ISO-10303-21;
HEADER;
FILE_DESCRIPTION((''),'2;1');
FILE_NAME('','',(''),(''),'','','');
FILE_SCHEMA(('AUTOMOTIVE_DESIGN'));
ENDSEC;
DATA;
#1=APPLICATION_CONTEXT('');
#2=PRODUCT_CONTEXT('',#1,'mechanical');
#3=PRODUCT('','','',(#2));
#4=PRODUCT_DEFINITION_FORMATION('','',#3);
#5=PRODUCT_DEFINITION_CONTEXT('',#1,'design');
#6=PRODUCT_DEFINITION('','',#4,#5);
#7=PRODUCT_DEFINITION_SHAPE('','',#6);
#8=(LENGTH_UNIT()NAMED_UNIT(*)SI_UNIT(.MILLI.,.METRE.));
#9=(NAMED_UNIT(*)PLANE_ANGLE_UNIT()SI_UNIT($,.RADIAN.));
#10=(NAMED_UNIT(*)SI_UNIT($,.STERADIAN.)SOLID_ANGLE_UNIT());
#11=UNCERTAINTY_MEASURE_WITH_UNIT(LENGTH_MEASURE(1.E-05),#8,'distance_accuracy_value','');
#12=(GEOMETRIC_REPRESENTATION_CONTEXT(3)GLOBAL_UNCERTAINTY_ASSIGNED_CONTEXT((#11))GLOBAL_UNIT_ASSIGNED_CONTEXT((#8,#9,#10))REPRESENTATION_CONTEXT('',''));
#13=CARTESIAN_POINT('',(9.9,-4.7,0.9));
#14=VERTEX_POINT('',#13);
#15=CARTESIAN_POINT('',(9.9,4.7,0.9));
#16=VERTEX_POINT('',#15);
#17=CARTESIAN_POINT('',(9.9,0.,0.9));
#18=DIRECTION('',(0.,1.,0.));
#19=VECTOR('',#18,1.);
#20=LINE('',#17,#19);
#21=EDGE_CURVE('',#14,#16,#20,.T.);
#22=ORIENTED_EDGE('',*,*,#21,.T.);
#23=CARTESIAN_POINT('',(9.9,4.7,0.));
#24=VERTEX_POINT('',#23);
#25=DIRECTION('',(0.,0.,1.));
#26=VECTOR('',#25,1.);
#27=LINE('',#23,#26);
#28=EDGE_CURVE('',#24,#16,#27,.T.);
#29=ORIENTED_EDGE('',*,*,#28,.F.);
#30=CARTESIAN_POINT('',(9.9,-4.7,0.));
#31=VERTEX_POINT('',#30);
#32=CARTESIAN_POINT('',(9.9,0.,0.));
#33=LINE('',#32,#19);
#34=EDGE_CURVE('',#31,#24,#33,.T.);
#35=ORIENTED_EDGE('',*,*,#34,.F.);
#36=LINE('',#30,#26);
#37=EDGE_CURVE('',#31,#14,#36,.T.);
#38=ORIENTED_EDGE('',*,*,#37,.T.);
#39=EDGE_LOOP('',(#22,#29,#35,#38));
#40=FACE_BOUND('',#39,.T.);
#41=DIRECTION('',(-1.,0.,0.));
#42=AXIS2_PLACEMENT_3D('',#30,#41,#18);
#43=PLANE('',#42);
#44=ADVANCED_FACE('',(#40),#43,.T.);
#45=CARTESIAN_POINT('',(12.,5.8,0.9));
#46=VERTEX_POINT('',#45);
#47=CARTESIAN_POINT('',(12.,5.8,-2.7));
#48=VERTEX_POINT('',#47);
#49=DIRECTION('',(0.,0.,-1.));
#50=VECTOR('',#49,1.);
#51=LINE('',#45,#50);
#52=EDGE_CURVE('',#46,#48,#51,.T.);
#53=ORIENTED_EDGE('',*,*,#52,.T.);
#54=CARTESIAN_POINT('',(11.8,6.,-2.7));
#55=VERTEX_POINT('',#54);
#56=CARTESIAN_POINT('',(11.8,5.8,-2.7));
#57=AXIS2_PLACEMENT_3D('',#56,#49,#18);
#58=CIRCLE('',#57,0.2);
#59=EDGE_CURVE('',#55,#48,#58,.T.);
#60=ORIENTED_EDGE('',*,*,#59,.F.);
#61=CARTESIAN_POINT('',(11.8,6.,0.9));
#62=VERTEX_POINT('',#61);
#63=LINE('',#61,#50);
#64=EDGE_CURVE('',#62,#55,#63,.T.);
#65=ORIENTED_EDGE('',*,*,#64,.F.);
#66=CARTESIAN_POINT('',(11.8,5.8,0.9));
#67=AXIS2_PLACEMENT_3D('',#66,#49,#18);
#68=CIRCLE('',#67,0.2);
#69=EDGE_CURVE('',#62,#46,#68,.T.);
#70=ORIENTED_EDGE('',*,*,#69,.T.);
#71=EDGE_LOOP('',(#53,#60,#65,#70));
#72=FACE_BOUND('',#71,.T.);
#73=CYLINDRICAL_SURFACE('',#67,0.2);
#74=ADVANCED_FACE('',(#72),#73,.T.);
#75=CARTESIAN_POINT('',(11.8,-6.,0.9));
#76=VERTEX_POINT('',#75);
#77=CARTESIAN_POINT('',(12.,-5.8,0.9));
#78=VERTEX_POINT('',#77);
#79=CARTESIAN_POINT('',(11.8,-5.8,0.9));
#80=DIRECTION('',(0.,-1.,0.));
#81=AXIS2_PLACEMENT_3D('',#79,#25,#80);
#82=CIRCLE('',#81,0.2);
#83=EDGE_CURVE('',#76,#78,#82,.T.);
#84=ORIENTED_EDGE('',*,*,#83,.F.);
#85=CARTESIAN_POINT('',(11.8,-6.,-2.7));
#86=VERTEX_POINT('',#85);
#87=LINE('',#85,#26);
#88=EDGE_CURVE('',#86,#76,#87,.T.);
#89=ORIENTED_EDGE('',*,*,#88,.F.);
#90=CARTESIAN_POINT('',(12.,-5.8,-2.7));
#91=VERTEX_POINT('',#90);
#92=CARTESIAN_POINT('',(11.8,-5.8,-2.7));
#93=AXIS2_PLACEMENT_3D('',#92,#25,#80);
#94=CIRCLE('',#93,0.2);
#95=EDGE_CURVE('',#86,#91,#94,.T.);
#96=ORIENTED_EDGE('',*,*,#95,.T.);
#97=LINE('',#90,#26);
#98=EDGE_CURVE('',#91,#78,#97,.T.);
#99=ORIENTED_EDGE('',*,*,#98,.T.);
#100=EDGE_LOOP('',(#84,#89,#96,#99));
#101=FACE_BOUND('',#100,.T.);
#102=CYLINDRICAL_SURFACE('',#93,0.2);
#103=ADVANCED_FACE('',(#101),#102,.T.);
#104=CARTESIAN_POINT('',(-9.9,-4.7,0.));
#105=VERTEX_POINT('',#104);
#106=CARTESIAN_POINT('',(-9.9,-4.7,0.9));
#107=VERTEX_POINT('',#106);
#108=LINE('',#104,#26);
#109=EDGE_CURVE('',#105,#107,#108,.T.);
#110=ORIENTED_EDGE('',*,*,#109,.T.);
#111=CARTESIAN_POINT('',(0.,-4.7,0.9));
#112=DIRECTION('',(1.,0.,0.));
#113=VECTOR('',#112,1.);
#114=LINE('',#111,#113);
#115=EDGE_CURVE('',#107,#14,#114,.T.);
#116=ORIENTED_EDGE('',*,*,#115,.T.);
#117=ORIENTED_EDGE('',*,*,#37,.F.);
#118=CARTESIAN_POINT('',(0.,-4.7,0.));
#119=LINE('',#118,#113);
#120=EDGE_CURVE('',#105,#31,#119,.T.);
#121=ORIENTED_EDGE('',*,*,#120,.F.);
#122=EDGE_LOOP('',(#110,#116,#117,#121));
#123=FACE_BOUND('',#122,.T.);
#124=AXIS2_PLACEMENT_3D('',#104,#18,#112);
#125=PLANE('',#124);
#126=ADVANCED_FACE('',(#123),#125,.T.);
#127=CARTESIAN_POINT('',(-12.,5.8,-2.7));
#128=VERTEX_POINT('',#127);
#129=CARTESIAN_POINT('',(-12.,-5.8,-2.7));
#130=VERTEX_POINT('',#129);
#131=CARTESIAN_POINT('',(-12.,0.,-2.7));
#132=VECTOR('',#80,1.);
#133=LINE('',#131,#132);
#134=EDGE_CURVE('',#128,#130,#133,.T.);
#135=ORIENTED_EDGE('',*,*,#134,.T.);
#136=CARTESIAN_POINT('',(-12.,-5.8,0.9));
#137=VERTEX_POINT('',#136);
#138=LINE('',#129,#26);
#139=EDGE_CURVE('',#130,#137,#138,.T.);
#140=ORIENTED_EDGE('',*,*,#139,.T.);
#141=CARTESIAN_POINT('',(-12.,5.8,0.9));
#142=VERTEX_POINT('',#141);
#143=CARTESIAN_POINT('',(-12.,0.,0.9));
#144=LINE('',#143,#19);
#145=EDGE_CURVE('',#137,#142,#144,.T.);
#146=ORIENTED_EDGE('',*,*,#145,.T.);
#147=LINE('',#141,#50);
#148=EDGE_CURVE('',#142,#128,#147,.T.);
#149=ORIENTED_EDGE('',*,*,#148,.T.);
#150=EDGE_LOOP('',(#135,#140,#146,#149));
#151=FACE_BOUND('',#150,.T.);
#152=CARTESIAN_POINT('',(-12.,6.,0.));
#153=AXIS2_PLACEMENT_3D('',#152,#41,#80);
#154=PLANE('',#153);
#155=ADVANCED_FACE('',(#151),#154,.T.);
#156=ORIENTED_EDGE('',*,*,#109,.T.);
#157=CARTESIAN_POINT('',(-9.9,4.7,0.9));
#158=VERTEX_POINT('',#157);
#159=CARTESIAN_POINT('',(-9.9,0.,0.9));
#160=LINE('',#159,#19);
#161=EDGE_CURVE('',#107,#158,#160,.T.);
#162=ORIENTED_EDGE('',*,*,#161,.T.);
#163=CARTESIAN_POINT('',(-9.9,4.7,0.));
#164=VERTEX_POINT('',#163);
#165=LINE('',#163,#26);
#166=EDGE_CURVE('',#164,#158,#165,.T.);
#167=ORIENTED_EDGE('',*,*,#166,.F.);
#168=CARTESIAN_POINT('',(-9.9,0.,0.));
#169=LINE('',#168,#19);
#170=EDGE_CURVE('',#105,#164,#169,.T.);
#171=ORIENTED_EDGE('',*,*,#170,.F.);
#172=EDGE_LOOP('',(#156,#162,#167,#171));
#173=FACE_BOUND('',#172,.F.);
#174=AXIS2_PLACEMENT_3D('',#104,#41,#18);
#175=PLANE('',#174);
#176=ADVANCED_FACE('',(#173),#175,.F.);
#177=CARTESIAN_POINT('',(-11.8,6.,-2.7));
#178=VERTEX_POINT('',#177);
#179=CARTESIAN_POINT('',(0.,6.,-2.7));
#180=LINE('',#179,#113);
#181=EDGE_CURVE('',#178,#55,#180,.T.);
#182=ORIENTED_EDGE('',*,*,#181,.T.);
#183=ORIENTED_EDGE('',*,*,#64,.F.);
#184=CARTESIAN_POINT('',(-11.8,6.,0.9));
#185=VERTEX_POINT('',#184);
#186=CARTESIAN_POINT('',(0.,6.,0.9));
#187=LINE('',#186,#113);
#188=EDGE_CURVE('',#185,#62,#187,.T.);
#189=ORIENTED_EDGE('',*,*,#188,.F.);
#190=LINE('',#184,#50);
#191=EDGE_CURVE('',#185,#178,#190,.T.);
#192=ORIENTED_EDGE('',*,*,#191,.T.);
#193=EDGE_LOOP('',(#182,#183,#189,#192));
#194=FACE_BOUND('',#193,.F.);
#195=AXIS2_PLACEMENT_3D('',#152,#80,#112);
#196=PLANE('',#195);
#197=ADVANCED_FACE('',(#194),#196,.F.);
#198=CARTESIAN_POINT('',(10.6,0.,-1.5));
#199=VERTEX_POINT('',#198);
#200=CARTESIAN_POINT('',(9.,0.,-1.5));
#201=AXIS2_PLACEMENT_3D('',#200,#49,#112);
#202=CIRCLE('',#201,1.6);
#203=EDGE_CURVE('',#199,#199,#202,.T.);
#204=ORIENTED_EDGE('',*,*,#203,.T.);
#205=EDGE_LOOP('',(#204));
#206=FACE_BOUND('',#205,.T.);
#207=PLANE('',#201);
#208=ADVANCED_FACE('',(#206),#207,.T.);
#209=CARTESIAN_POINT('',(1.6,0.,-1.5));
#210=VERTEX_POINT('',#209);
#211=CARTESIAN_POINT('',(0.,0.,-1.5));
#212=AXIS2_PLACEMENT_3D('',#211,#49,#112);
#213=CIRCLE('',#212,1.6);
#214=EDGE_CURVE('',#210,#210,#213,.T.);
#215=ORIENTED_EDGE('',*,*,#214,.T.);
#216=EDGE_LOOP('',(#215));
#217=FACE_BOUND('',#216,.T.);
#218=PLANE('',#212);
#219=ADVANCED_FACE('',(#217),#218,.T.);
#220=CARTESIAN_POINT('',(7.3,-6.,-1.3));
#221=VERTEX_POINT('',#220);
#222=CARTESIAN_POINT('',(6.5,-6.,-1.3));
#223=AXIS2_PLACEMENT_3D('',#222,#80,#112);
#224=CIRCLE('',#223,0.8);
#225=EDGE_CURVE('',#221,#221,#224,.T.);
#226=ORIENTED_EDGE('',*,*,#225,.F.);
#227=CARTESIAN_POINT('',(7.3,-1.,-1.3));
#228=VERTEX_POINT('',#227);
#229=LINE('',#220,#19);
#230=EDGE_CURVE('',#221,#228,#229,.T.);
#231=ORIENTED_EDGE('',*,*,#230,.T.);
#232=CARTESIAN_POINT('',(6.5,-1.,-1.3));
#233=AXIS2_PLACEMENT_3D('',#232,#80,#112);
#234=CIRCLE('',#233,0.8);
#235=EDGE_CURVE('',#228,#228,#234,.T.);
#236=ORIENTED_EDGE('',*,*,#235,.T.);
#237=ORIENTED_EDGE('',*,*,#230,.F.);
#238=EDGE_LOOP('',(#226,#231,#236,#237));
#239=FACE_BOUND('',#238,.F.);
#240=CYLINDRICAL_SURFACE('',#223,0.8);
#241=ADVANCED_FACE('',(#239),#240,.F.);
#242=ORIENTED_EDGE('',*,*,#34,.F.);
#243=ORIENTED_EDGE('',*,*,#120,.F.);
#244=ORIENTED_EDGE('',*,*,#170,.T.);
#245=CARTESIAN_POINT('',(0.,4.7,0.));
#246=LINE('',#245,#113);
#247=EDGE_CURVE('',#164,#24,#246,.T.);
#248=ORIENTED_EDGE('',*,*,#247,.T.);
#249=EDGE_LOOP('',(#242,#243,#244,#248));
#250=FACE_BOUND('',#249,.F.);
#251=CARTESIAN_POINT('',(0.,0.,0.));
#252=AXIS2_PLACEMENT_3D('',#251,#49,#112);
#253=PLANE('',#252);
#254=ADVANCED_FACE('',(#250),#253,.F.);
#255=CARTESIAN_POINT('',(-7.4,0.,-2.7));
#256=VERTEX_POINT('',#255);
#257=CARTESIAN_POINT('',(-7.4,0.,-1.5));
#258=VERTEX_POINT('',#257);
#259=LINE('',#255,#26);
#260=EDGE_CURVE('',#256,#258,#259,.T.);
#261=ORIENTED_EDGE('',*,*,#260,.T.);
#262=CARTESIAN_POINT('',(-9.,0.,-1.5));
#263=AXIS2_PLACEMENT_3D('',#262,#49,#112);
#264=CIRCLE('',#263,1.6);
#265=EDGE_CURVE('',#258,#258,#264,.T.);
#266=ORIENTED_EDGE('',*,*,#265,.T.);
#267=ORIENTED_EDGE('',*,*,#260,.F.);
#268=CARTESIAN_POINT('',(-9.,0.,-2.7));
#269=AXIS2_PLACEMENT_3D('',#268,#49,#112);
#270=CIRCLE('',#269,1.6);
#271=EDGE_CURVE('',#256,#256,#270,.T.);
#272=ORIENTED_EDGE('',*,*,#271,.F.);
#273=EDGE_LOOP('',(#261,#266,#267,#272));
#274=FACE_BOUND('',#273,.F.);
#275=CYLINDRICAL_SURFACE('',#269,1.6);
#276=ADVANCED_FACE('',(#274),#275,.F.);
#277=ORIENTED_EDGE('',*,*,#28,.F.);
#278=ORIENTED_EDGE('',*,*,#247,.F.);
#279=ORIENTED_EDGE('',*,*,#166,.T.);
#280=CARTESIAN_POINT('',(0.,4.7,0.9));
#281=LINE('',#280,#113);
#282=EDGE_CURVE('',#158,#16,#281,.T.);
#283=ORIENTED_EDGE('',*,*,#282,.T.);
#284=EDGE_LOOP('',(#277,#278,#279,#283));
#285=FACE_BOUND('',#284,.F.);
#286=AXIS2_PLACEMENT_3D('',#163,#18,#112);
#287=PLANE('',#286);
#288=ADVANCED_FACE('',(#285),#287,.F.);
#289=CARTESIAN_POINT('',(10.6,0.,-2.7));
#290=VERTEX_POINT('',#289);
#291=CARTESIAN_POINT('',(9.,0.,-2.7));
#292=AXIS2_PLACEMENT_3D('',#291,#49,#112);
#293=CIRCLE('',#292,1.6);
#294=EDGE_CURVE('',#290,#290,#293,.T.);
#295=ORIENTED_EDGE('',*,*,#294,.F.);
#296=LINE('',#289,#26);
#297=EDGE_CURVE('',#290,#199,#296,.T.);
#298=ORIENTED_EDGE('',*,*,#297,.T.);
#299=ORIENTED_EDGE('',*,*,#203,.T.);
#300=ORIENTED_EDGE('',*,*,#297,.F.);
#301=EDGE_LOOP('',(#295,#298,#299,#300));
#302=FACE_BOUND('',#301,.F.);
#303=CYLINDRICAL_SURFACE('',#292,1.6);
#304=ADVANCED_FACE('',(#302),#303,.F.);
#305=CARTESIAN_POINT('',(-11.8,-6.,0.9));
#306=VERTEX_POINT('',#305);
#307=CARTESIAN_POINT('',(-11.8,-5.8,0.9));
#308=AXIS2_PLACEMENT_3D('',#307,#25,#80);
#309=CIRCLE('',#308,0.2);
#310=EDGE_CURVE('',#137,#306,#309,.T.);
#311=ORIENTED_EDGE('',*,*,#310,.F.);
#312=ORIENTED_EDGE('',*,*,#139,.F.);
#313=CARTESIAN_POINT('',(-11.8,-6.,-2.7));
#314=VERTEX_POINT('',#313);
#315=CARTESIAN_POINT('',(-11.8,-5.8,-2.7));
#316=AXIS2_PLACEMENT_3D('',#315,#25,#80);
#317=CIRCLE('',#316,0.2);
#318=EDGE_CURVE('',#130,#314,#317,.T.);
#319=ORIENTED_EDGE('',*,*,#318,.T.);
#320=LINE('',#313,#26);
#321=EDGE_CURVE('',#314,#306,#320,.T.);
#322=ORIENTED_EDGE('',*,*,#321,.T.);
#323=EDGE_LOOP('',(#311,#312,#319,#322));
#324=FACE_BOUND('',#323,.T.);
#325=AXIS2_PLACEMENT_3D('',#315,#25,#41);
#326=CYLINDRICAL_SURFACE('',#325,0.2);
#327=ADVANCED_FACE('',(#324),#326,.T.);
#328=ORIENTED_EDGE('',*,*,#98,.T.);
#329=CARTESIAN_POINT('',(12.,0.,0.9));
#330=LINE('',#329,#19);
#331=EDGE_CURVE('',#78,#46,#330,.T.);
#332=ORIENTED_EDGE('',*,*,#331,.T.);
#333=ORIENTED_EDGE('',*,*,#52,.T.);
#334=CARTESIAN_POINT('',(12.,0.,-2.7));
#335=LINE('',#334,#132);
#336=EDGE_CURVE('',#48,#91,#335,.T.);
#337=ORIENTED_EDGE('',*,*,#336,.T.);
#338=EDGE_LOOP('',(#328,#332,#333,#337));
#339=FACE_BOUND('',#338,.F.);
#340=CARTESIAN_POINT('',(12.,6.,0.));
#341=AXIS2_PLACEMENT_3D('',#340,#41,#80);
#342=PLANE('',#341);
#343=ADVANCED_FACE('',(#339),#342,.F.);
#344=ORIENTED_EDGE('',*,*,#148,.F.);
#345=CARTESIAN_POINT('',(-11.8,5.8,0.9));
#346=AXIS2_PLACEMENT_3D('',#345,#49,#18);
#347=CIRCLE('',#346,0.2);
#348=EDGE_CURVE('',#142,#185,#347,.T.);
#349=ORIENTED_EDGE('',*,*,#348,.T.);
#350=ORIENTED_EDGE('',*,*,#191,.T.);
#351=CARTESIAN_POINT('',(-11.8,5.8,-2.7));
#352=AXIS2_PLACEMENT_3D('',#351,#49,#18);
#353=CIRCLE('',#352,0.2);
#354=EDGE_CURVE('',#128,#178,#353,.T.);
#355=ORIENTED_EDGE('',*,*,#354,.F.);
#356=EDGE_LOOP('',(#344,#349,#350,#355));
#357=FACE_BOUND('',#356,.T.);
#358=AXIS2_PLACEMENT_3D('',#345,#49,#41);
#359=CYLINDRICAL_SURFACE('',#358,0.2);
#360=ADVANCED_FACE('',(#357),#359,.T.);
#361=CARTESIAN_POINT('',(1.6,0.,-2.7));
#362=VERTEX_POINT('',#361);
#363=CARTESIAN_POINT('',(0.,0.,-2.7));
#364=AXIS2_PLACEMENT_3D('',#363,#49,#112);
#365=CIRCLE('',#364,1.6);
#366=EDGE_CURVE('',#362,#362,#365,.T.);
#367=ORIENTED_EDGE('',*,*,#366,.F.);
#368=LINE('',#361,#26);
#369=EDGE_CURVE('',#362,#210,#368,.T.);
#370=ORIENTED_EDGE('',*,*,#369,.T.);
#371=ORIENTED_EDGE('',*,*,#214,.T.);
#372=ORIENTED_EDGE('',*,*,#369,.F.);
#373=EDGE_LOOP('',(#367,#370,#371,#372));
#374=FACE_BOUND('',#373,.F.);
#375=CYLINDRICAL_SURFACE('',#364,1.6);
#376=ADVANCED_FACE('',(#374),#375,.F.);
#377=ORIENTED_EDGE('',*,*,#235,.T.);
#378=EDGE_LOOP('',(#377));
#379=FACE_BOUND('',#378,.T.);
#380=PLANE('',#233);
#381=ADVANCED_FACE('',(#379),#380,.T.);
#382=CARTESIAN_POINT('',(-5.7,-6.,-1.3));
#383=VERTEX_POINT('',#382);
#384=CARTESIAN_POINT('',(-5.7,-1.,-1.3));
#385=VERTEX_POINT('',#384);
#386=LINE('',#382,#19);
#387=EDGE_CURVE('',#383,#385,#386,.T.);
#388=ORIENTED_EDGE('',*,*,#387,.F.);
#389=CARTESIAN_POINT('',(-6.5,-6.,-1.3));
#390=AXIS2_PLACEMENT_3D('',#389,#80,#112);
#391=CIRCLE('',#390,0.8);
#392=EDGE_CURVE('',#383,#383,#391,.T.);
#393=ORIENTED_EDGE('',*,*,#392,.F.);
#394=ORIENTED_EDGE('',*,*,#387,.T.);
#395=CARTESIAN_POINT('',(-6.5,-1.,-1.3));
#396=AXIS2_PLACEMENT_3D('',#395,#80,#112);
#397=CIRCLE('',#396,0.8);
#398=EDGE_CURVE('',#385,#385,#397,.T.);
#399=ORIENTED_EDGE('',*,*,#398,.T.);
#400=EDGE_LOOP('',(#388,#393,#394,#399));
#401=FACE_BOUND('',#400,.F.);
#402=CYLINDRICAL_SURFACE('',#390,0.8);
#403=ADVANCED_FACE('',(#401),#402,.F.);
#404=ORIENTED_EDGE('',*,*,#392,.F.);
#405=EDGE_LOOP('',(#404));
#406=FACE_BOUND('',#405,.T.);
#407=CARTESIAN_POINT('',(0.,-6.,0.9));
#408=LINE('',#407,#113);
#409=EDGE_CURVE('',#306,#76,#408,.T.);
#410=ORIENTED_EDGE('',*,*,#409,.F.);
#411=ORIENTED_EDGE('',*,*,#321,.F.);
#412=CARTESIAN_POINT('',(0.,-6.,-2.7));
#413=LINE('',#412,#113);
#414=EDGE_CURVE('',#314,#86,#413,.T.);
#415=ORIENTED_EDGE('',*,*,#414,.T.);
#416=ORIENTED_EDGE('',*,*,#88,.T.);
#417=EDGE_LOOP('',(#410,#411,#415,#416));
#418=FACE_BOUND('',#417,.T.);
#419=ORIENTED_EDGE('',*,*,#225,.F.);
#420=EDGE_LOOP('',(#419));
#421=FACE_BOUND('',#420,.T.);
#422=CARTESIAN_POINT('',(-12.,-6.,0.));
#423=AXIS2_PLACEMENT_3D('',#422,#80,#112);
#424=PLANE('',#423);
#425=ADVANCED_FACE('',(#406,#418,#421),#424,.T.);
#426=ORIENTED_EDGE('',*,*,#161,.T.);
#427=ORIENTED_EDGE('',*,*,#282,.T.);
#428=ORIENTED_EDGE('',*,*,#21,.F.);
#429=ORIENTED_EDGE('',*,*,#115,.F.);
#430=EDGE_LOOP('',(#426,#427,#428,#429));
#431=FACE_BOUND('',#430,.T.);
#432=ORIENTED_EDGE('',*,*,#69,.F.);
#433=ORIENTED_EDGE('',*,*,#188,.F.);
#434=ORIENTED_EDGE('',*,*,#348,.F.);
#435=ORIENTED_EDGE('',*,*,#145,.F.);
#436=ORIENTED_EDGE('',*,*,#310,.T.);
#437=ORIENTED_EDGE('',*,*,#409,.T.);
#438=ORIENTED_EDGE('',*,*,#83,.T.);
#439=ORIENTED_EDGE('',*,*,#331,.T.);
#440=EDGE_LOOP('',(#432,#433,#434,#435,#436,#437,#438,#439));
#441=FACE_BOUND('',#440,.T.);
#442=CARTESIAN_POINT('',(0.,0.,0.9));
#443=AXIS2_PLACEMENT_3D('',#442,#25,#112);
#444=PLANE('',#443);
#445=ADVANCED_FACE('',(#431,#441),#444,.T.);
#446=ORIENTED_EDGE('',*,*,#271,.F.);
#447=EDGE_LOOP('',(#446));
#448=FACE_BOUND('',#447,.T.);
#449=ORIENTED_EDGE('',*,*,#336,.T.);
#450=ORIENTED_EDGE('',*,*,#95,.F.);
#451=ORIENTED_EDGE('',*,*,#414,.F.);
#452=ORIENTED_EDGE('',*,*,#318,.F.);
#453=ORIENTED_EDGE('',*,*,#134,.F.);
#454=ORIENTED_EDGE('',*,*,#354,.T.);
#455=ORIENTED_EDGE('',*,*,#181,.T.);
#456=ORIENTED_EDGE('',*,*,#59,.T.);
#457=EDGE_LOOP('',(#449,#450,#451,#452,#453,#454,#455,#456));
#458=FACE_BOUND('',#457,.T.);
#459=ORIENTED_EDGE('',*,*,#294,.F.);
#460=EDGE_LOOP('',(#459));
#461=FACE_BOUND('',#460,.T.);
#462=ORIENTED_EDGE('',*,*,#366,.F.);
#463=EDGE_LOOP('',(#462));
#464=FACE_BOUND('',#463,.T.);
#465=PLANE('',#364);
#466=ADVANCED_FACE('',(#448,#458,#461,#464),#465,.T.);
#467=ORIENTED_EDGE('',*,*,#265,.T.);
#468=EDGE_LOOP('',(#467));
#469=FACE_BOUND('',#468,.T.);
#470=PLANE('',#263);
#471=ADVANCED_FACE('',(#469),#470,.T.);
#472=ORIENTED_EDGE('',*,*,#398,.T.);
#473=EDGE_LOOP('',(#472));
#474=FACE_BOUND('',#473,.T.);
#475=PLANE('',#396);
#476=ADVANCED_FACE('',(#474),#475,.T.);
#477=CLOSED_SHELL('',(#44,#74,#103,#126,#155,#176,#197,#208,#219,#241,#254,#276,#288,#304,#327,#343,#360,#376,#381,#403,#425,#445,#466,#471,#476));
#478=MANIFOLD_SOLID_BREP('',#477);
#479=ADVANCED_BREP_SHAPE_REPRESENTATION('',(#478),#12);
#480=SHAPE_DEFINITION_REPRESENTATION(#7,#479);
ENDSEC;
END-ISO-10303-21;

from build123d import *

# Parameters (mm, degrees)
F0_W     = 24
F0_H     = 12
F0_W_2   = 19.8
F0_H_2   = 9.4
F1_DEPTH = 0.9
F2_W     = 24
F2_H     = 12
F3_DEPTH = 2.7
F4_R     = 1.6
F5_DEPTH = 1.2
F6_R     = 0.2
F7_R     = 0.8
F8_DEPTH = 5


with BuildPart() as f1:
    # F0 (on Top) → F1 (new body)
    with BuildSketch(Plane.XY):
        Rectangle(F0_W, F0_H)
        Rectangle(F0_W_2, F0_H_2, mode=Mode.SUBTRACT)
    extrude(amount=F1_DEPTH)

    # F2 (on face) → F3 (join)
    with BuildSketch(Plane(origin=(0, 0, 0), x_dir=(1, 0, 0), z_dir=(0, 0, -1))):
        Rectangle(F2_W, F2_H)
    extrude(amount=F3_DEPTH)

    # F4 (on face) → F5 (cut)
    with BuildSketch(Plane(origin=(0, 0, -2.7), x_dir=(1, 0, 0), z_dir=(0, 0, -1))):
        Circle(F4_R)
        with Locations((-9, 0)):
            Circle(F4_R)
        with Locations((9, 0)):
            Circle(F4_R)
    extrude(amount=-F5_DEPTH, mode=Mode.SUBTRACT)

    # F6
    f6_edges = [f1.edges().sort_by_distance(p)[0] for p in [
        (-12, -6, -0.9),
        (-12, 6, -0.9),
        (12, 6, -0.9),
        (12, -6, -0.9),
    ]]
    fillet(f6_edges, radius=F6_R)

    # F7 (on face) → F8 (cut)
    with BuildSketch(Plane.XZ.offset(6)):
        with Locations((-6.5, -1.3)):
            Circle(F7_R)
        with Locations((6.5, -1.3)):
            Circle(F7_R)
    extrude(amount=-F8_DEPTH, mode=Mode.SUBTRACT)


solid = f1.part
